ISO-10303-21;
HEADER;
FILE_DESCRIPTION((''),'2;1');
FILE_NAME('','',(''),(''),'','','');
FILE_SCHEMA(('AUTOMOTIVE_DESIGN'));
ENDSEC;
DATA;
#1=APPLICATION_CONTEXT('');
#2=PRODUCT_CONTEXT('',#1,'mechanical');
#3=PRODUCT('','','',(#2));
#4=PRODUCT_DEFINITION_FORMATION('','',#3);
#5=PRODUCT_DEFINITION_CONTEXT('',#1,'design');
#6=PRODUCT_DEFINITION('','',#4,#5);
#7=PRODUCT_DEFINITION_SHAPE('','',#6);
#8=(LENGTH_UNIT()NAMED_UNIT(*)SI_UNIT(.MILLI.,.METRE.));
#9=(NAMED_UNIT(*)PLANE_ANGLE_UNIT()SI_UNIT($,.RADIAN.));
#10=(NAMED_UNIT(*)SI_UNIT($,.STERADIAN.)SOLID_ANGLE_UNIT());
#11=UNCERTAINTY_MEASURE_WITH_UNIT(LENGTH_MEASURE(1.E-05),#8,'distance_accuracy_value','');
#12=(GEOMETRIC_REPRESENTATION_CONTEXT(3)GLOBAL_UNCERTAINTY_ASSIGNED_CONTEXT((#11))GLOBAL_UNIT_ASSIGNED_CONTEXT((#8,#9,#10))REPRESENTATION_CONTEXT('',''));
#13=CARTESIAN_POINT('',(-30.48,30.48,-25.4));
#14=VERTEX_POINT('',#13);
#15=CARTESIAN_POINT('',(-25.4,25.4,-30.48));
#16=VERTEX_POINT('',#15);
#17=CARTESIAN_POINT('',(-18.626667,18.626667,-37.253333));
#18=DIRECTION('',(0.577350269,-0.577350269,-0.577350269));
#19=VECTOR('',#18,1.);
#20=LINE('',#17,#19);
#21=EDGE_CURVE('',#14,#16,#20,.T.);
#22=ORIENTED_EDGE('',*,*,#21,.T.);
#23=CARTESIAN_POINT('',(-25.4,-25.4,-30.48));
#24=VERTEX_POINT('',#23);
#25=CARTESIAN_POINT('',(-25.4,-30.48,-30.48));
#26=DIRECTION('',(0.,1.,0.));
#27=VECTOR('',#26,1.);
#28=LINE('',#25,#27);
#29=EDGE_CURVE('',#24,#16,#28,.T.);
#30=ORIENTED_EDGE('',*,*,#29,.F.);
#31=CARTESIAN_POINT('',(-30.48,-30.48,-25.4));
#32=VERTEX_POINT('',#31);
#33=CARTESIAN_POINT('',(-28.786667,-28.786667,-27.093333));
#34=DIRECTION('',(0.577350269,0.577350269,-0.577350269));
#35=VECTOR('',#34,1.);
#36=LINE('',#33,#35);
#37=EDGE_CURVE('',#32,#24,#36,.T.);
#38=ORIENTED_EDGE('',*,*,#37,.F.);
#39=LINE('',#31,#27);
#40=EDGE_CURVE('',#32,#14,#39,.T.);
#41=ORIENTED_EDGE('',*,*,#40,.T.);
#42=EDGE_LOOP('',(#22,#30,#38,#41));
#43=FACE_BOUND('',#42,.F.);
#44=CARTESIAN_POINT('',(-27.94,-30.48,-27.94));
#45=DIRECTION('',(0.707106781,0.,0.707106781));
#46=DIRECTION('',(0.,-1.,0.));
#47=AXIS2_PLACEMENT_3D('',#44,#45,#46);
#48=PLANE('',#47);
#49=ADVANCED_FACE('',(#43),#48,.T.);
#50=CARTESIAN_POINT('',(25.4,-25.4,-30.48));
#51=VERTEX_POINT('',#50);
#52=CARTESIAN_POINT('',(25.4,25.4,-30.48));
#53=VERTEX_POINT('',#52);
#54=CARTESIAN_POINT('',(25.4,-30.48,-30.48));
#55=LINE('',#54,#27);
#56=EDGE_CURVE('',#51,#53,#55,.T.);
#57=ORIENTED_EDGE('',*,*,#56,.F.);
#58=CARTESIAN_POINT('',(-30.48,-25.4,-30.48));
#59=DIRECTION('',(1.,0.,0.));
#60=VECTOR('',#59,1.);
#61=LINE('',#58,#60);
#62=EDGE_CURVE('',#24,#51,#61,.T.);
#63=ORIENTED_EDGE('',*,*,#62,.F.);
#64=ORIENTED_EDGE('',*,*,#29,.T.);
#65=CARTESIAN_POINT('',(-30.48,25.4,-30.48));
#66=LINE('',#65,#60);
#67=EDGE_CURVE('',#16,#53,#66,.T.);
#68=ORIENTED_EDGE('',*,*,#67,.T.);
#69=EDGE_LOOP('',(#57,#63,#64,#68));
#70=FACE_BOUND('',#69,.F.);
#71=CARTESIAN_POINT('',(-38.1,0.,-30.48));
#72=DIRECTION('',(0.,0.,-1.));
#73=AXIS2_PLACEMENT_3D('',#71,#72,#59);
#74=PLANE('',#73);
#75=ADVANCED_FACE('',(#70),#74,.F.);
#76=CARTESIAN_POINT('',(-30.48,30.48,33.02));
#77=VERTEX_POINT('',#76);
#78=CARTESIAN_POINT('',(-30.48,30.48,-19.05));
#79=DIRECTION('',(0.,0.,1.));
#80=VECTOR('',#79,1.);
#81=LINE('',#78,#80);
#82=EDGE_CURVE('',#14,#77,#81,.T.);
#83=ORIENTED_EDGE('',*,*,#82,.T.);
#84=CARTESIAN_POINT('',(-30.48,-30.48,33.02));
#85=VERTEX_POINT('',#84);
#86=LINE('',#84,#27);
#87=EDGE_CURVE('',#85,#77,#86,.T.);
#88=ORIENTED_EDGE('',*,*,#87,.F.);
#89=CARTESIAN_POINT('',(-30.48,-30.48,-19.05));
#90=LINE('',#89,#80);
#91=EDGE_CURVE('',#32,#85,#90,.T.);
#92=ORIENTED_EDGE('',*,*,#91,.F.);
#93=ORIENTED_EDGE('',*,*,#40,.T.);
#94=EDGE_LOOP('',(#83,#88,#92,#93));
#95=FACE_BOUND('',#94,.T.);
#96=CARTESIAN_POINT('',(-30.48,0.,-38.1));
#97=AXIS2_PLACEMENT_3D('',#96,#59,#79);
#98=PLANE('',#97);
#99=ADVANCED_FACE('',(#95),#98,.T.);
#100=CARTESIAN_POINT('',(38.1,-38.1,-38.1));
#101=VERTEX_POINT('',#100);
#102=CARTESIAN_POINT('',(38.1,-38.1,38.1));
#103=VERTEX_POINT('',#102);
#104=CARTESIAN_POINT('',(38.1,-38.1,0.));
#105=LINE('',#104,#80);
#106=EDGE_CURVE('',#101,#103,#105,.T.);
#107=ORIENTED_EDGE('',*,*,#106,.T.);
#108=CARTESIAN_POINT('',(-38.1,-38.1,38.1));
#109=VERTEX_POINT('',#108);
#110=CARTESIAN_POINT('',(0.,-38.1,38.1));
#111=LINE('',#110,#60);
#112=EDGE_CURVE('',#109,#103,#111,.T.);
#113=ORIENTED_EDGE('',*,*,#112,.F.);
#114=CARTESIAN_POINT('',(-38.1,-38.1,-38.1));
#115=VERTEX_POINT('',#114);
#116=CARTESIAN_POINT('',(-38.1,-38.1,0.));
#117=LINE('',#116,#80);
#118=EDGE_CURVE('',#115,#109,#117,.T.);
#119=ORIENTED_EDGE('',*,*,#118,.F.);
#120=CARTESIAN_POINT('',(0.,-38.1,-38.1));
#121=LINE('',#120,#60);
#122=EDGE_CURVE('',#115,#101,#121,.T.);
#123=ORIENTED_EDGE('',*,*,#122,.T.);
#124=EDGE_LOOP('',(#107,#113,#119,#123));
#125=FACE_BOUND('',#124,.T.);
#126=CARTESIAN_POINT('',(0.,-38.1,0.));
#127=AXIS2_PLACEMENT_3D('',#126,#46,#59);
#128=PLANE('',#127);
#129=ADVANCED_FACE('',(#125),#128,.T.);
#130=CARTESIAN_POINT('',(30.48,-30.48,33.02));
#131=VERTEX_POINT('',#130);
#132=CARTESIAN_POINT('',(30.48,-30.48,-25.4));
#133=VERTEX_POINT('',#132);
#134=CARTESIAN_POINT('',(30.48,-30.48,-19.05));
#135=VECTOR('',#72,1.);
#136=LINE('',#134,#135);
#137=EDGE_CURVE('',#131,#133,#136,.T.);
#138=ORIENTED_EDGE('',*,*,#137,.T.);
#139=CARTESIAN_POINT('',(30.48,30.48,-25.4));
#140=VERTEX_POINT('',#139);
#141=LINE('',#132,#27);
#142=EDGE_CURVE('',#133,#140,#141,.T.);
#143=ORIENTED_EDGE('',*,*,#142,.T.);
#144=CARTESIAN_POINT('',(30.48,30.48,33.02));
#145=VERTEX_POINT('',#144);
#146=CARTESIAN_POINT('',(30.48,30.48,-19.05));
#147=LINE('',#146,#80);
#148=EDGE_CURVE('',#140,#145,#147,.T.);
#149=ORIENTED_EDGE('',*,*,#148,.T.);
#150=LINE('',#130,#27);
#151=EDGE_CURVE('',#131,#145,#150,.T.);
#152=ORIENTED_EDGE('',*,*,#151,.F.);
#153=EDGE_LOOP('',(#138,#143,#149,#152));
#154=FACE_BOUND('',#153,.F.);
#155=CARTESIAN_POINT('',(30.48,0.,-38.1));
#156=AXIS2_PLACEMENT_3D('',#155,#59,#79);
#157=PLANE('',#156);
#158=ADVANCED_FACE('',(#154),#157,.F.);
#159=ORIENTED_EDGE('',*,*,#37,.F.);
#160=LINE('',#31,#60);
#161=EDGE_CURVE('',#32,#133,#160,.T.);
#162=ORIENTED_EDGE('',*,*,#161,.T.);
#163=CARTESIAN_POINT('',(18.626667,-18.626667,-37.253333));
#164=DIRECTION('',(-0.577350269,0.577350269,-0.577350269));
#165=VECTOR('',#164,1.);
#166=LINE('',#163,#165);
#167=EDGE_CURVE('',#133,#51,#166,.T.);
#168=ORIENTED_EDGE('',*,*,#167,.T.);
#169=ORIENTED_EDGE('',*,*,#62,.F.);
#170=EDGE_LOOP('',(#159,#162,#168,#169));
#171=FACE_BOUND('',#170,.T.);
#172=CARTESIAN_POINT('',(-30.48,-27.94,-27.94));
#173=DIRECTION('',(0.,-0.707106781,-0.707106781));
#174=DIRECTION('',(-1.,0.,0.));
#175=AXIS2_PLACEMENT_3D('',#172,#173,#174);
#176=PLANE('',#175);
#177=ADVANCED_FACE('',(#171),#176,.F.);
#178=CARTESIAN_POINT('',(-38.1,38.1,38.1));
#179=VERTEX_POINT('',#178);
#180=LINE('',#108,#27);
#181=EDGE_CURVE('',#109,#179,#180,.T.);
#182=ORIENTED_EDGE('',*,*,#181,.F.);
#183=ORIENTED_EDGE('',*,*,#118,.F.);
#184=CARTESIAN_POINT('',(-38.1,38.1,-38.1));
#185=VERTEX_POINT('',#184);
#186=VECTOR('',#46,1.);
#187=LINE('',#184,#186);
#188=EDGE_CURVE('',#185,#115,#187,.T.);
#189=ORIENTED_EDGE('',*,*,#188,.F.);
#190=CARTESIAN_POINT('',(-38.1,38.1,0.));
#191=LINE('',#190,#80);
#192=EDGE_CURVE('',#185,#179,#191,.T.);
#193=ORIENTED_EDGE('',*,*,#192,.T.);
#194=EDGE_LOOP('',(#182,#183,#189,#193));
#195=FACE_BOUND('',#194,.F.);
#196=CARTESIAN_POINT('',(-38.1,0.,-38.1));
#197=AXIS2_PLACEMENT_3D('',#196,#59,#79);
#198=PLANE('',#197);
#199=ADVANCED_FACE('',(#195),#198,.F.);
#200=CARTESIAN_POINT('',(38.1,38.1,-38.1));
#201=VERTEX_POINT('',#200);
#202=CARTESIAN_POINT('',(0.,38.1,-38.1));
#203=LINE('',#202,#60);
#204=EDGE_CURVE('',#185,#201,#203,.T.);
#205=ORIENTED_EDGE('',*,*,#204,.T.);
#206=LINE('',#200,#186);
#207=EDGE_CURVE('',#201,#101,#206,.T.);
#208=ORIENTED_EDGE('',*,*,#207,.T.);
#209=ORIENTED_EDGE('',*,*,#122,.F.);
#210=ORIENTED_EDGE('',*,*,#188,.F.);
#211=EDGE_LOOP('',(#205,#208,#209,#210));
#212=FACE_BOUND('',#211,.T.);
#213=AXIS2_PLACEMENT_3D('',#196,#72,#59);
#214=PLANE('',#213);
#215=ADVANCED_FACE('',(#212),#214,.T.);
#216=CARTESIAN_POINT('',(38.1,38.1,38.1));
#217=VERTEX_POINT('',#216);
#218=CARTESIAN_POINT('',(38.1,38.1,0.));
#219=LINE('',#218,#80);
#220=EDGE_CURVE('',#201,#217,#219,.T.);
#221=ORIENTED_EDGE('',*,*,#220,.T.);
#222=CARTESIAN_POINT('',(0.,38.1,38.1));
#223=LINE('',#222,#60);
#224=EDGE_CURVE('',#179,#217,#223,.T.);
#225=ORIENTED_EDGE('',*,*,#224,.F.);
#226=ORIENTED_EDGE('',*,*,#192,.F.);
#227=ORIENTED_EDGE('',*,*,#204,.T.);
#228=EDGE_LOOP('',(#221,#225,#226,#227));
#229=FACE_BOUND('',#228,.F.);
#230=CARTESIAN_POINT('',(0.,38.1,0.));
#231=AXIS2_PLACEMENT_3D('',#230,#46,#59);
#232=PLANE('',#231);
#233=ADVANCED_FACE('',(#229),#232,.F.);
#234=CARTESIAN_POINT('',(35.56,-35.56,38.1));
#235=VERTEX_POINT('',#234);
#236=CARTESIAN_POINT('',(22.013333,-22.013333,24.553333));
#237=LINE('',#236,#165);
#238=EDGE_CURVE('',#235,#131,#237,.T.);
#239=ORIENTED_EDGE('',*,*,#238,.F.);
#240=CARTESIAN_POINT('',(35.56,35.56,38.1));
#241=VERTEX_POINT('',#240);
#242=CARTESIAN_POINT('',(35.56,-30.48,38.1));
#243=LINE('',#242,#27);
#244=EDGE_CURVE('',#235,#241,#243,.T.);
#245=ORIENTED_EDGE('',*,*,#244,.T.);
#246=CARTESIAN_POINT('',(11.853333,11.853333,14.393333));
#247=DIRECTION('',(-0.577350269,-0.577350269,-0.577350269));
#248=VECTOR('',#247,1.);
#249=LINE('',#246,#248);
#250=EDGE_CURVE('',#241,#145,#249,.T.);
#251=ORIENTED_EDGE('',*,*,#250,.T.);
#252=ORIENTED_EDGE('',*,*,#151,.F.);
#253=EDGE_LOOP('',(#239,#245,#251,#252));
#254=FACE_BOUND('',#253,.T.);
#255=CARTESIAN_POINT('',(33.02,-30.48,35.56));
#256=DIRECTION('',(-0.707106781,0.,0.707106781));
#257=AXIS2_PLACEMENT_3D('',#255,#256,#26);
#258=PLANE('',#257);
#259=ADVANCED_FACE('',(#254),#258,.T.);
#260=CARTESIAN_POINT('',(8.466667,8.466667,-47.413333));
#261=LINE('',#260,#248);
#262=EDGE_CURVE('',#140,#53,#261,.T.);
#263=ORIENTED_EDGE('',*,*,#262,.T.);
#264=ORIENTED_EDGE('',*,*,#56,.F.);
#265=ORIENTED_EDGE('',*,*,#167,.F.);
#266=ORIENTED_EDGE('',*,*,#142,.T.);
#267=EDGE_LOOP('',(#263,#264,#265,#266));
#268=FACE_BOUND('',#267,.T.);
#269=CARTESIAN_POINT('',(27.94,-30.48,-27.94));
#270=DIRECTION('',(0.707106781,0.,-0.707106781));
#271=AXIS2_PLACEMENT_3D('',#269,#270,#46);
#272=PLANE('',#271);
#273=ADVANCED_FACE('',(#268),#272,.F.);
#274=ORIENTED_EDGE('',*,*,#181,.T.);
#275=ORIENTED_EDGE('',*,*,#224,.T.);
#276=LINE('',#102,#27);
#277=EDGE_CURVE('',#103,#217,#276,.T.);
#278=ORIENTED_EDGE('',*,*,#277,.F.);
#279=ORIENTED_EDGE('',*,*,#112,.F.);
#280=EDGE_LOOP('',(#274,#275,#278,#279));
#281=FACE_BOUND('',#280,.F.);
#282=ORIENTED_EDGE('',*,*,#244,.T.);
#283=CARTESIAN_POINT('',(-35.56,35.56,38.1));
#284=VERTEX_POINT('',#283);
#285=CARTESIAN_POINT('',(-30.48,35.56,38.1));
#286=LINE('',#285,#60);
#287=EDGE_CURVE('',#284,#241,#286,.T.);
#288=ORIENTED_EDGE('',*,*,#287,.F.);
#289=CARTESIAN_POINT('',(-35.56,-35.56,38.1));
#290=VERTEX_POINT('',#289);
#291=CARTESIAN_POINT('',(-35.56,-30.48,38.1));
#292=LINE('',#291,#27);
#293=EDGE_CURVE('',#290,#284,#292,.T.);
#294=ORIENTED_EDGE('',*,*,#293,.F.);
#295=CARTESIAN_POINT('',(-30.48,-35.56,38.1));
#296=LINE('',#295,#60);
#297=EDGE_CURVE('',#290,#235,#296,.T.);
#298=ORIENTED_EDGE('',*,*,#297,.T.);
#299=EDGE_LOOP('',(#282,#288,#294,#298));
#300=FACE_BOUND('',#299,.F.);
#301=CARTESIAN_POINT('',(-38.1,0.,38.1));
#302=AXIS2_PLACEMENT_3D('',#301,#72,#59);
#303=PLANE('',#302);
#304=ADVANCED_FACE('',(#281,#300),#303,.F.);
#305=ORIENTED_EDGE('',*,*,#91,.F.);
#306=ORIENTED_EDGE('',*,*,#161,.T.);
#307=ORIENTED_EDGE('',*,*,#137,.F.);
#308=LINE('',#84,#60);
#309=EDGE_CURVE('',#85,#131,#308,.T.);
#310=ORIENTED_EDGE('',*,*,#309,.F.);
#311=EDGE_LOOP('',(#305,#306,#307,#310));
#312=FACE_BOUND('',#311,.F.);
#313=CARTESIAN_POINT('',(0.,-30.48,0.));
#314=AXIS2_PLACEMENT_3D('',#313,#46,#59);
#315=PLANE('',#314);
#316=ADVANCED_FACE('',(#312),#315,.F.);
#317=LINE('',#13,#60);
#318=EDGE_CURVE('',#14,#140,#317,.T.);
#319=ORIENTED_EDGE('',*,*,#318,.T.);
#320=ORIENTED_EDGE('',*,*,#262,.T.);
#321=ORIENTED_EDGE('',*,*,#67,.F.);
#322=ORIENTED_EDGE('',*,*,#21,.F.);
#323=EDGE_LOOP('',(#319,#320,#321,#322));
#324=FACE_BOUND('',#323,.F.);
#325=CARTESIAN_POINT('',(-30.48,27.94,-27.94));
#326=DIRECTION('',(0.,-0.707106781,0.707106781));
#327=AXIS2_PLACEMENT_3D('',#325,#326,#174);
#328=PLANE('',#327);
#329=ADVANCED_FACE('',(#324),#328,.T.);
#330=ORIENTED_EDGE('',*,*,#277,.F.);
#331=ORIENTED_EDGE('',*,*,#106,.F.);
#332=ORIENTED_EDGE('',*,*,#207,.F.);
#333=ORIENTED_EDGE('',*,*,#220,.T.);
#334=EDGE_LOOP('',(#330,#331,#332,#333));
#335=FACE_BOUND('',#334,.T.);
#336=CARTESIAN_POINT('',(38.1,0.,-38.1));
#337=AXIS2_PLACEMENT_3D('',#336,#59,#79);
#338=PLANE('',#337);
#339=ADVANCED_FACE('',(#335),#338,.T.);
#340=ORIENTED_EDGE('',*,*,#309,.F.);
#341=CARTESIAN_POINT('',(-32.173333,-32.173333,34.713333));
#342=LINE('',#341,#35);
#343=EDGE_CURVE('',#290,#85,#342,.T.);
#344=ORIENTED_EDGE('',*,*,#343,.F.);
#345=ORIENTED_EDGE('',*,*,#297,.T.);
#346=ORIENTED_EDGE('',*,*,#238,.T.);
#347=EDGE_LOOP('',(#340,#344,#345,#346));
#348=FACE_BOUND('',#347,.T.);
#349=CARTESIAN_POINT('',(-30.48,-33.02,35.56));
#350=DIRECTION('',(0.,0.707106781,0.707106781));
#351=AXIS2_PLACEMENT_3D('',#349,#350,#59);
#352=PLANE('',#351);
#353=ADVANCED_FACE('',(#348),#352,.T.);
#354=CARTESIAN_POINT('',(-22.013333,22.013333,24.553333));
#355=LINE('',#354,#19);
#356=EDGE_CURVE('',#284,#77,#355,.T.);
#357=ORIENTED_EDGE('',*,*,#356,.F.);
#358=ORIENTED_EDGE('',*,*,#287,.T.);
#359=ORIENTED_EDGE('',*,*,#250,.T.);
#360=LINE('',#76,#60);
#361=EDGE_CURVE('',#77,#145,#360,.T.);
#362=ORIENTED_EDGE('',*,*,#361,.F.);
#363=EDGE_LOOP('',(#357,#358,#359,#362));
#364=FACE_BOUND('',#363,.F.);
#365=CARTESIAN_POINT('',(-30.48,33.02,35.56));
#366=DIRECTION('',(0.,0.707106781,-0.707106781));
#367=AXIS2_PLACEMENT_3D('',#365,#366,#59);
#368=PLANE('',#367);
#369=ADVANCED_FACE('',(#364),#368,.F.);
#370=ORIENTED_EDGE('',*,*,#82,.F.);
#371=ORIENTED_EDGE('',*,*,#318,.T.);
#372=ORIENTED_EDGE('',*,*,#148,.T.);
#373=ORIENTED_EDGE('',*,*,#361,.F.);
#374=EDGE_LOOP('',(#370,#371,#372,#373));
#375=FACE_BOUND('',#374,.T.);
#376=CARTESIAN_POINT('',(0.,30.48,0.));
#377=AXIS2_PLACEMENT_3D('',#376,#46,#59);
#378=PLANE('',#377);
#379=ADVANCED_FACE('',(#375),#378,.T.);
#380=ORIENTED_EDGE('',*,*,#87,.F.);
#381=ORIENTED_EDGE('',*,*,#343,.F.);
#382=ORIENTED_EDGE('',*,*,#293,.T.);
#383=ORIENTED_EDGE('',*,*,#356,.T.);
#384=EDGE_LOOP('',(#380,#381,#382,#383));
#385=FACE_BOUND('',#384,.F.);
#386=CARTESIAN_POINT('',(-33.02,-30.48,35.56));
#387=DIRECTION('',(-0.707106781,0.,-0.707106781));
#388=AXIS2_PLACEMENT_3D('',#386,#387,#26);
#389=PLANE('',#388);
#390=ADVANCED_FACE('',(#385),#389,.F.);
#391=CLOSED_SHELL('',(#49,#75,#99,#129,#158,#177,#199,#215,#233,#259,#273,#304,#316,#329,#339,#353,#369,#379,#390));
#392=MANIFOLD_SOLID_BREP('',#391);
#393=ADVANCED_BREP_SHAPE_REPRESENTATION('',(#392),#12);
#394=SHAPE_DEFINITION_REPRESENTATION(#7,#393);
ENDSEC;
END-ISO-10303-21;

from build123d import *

# Parameters (mm, degrees)
F0_W     = 76.2
F0_H     = 76.2
F1_DEPTH = 38.1
F2_DEPTH = 38.1
F3_T     = -7.62
F4_SIZE  = 5.08
F5_SIZE  = 5.08


with BuildPart() as f1:
    # F0 (on Front) → F1 (new body)
    with BuildSketch(Plane.XZ):
        Rectangle(F0_W, F0_H)
    extrude(amount=F1_DEPTH)

    # F2 (add): a face of the model
    f2_faces = [f1.faces().sort_by_distance(p)[0] for p in [
        (0, 0, 0),
    ]]
    extrude(f2_faces, amount=F2_DEPTH)

    # F3
    f3_openings = [f1.faces().sort_by_distance(p)[0] for p in [
        (0, 0, 38.1),
    ]]
    offset(amount=F3_T, openings=f3_openings)

    # F4
    f4_edges = [f1.edges().sort_by_distance(p)[0] for p in [
        (-30.48, 0, 38.1),
        (0, -30.48, 38.1),
        (0, 30.48, 38.1),
        (30.48, 0, 38.1),
    ]]
    chamfer(f4_edges, length=F4_SIZE)

    # F5
    f5_edges = [f1.edges().sort_by_distance(p)[0] for p in [
        (0, 30.48, -30.48),
        (-30.48, 0, -30.48),
        (30.48, 0, -30.48),
        (0, -30.48, -30.48),
    ]]
    chamfer(f5_edges, length=F5_SIZE)


solid = f1.part
